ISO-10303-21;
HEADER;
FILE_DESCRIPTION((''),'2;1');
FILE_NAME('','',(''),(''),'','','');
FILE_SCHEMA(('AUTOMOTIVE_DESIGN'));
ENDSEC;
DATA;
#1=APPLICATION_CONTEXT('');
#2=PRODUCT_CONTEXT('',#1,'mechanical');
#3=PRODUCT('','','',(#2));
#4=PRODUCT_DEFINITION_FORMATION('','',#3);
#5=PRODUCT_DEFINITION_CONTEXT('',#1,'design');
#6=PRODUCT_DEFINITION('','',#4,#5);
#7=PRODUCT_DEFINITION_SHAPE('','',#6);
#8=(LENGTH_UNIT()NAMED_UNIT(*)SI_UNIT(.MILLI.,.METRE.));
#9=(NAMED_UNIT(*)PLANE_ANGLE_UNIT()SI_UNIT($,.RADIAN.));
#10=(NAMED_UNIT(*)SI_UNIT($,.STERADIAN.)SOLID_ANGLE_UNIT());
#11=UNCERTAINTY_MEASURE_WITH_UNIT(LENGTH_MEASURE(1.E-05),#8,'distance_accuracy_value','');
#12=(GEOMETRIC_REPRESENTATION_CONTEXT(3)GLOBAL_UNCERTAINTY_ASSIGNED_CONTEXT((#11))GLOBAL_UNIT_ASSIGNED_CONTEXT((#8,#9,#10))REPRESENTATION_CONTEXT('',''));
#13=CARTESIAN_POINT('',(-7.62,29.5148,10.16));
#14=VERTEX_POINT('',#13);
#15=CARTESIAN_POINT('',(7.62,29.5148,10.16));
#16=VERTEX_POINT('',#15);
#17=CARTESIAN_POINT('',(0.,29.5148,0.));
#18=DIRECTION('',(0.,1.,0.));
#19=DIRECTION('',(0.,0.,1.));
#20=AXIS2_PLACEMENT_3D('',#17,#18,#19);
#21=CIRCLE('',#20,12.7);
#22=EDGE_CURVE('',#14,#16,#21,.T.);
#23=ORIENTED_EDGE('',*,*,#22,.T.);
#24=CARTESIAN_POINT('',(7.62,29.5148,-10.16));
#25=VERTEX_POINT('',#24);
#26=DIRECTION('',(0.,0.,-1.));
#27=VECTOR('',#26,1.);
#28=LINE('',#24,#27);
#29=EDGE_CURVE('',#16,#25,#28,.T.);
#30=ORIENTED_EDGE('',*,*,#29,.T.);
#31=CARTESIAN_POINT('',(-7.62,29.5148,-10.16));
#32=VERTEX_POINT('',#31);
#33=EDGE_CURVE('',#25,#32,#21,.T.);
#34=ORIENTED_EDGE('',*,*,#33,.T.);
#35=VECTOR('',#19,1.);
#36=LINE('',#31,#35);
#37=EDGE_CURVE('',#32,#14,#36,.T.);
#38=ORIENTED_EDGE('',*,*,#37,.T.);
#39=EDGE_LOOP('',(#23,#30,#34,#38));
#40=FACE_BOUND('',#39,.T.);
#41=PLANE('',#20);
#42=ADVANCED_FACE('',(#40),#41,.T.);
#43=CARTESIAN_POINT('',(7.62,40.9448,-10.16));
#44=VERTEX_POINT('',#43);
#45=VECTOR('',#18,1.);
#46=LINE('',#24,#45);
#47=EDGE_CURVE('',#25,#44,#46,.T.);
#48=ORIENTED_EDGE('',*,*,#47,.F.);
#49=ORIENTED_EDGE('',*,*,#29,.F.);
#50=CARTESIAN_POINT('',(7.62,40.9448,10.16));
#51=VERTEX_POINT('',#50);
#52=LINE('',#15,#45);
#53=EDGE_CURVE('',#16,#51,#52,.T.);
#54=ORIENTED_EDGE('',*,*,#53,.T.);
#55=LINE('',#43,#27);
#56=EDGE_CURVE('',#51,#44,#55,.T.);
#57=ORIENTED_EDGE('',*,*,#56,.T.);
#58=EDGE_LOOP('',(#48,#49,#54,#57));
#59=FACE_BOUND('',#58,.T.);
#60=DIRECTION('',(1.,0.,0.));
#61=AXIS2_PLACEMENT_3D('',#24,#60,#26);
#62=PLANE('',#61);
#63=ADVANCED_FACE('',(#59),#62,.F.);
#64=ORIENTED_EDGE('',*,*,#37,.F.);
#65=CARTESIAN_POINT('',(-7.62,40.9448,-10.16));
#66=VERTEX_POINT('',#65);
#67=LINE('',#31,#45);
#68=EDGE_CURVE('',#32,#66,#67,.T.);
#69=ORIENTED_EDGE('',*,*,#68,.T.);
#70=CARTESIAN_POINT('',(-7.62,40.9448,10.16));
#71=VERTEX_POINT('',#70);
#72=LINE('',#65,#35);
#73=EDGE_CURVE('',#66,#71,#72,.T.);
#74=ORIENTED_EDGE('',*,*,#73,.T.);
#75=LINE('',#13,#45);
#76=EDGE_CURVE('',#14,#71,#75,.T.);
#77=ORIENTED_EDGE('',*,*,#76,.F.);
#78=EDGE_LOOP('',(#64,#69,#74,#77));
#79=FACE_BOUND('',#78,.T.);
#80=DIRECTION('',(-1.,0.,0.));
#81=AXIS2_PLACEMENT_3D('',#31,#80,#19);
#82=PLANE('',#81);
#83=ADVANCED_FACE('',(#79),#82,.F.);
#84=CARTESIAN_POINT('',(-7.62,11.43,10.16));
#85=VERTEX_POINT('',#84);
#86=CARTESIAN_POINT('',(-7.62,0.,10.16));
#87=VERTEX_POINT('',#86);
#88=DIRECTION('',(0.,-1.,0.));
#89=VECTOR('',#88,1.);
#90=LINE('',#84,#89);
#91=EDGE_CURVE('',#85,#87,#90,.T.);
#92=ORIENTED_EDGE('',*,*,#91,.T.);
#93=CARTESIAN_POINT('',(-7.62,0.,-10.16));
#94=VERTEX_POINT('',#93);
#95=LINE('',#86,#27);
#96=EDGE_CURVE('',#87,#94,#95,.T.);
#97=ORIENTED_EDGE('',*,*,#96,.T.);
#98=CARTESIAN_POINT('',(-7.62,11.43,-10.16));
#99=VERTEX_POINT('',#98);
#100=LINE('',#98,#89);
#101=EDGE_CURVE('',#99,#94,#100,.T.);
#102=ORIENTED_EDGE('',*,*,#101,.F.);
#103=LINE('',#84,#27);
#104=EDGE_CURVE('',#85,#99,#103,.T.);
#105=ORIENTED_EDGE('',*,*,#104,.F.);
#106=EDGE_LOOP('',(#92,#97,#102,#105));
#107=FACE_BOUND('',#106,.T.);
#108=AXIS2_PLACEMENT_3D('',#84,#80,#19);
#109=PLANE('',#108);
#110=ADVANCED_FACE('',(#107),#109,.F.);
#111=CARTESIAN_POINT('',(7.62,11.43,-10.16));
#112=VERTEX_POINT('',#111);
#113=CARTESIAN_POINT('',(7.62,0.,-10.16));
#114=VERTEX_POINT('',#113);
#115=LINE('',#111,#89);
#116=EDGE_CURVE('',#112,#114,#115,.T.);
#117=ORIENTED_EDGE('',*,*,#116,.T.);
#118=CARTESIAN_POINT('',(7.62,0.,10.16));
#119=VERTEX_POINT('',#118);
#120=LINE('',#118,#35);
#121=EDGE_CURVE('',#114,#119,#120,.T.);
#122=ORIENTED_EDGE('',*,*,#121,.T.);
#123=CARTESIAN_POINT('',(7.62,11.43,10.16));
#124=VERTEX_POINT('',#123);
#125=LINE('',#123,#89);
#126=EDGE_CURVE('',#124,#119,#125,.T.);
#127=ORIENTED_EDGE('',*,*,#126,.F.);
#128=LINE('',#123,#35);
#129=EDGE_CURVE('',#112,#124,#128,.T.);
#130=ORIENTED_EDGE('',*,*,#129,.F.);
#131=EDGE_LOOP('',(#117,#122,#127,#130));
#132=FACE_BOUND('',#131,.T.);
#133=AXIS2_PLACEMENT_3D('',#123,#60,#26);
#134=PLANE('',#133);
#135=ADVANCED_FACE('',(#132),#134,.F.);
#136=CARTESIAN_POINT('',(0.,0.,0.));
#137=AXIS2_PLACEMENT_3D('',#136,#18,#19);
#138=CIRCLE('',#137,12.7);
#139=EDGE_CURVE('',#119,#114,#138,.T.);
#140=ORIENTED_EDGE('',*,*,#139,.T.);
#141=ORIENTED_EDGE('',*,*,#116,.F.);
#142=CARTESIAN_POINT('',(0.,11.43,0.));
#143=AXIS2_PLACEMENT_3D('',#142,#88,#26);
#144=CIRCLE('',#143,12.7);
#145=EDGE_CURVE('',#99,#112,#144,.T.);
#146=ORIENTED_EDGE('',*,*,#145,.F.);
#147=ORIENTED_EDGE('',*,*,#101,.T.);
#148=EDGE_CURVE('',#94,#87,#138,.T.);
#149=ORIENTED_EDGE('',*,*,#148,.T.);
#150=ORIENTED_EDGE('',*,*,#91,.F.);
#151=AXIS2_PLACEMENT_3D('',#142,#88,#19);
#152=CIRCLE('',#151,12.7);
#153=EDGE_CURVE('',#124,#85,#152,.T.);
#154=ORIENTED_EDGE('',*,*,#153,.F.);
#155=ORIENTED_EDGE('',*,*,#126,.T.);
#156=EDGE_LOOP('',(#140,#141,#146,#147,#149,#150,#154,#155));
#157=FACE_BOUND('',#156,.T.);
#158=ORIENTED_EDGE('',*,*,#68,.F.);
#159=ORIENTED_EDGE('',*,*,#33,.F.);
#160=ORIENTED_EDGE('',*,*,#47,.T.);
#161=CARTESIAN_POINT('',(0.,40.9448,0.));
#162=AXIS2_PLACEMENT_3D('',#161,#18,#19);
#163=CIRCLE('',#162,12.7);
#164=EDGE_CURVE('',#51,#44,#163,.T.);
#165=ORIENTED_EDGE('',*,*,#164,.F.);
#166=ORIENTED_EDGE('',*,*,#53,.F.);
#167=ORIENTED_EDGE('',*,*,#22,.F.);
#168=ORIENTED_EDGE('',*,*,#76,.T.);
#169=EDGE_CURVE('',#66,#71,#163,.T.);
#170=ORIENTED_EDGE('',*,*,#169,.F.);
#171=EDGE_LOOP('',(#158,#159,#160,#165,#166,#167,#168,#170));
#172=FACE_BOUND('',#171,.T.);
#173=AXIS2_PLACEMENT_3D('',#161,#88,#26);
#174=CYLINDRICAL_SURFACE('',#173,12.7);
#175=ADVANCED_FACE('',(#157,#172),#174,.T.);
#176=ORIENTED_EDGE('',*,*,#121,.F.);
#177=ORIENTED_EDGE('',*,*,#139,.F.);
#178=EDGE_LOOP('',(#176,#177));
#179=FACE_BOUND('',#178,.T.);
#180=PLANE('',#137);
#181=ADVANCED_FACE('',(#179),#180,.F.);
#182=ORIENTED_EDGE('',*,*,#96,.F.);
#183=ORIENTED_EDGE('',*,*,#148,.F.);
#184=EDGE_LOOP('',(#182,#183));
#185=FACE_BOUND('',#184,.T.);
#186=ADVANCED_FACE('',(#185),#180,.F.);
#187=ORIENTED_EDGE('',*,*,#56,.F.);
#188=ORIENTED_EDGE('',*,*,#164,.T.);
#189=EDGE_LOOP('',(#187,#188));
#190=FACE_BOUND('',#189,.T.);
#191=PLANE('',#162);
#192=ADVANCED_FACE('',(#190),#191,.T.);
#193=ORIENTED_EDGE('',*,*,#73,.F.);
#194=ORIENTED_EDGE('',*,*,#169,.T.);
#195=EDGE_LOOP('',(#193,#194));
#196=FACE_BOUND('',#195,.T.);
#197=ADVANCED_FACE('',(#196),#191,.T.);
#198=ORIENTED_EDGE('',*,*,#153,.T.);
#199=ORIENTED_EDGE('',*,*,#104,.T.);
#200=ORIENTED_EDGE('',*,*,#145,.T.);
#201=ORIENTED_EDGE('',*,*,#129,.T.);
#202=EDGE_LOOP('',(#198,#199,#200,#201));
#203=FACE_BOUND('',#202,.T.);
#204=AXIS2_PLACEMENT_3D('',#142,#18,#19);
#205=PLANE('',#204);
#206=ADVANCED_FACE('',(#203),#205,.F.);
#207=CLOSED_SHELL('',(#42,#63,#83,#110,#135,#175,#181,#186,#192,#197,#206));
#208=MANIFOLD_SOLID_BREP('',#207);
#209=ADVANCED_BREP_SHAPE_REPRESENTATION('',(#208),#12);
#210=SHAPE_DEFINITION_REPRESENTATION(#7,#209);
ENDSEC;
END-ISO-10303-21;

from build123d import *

# Parameters (mm, degrees)
SKETCH1_R           = 12.7
BOSS_EXTRUDE1_DEPTH = 40.9448
CUT_EXTRUDE1_START  = -11.43
CUT_EXTRUDE1_DEPTH  = 11.43
CUT_EXTRUDE2_DEPTH  = 11.43


with BuildPart() as part:
    # Sketch1 → Boss-Extrude1 (new body)
    with BuildSketch(Plane(origin=(0, 0, 0), x_dir=(1, 0, 0), z_dir=(0, 1, 0))):
        with Locations(Location((0, 0, 0), (0, 0, 270))):
            Circle(SKETCH1_R)
    extrude(amount=BOSS_EXTRUDE1_DEPTH)

    # Sketch2 → Cut-Extrude1 (cut)
    with BuildSketch(Plane(origin=(0, 40.9448, 0), x_dir=(1, 0, 0), z_dir=(0, 1, 0)).offset(CUT_EXTRUDE1_START)):
        with BuildLine():
            Line((7.62, 10.16), (7.62, -10.16))
            ThreePointArc((7.62, -10.16), (0, -12.7), (-7.62, -10.16))
            Line((-7.62, -10.16), (-7.62, 10.16))
            ThreePointArc((-7.62, 10.16), (0, 12.7), (7.62, 10.16))
        make_face()
    extrude(amount=CUT_EXTRUDE1_DEPTH, mode=Mode.SUBTRACT)

    # Sketch3 → Cut-Extrude2 (cut)
    with BuildSketch(Plane.XZ):
        with BuildLine():
            Line((-7.62, 10.16), (-7.62, -10.16))
            ThreePointArc((-7.62, -10.16), (0, -12.7), (7.62, -10.16))
            Line((7.62, -10.16), (7.62, 10.16))
            ThreePointArc((7.62, 10.16), (0, 12.7), (-7.62, 10.16))
        make_face()
    extrude(amount=-CUT_EXTRUDE2_DEPTH, mode=Mode.SUBTRACT)


solid = part.part
